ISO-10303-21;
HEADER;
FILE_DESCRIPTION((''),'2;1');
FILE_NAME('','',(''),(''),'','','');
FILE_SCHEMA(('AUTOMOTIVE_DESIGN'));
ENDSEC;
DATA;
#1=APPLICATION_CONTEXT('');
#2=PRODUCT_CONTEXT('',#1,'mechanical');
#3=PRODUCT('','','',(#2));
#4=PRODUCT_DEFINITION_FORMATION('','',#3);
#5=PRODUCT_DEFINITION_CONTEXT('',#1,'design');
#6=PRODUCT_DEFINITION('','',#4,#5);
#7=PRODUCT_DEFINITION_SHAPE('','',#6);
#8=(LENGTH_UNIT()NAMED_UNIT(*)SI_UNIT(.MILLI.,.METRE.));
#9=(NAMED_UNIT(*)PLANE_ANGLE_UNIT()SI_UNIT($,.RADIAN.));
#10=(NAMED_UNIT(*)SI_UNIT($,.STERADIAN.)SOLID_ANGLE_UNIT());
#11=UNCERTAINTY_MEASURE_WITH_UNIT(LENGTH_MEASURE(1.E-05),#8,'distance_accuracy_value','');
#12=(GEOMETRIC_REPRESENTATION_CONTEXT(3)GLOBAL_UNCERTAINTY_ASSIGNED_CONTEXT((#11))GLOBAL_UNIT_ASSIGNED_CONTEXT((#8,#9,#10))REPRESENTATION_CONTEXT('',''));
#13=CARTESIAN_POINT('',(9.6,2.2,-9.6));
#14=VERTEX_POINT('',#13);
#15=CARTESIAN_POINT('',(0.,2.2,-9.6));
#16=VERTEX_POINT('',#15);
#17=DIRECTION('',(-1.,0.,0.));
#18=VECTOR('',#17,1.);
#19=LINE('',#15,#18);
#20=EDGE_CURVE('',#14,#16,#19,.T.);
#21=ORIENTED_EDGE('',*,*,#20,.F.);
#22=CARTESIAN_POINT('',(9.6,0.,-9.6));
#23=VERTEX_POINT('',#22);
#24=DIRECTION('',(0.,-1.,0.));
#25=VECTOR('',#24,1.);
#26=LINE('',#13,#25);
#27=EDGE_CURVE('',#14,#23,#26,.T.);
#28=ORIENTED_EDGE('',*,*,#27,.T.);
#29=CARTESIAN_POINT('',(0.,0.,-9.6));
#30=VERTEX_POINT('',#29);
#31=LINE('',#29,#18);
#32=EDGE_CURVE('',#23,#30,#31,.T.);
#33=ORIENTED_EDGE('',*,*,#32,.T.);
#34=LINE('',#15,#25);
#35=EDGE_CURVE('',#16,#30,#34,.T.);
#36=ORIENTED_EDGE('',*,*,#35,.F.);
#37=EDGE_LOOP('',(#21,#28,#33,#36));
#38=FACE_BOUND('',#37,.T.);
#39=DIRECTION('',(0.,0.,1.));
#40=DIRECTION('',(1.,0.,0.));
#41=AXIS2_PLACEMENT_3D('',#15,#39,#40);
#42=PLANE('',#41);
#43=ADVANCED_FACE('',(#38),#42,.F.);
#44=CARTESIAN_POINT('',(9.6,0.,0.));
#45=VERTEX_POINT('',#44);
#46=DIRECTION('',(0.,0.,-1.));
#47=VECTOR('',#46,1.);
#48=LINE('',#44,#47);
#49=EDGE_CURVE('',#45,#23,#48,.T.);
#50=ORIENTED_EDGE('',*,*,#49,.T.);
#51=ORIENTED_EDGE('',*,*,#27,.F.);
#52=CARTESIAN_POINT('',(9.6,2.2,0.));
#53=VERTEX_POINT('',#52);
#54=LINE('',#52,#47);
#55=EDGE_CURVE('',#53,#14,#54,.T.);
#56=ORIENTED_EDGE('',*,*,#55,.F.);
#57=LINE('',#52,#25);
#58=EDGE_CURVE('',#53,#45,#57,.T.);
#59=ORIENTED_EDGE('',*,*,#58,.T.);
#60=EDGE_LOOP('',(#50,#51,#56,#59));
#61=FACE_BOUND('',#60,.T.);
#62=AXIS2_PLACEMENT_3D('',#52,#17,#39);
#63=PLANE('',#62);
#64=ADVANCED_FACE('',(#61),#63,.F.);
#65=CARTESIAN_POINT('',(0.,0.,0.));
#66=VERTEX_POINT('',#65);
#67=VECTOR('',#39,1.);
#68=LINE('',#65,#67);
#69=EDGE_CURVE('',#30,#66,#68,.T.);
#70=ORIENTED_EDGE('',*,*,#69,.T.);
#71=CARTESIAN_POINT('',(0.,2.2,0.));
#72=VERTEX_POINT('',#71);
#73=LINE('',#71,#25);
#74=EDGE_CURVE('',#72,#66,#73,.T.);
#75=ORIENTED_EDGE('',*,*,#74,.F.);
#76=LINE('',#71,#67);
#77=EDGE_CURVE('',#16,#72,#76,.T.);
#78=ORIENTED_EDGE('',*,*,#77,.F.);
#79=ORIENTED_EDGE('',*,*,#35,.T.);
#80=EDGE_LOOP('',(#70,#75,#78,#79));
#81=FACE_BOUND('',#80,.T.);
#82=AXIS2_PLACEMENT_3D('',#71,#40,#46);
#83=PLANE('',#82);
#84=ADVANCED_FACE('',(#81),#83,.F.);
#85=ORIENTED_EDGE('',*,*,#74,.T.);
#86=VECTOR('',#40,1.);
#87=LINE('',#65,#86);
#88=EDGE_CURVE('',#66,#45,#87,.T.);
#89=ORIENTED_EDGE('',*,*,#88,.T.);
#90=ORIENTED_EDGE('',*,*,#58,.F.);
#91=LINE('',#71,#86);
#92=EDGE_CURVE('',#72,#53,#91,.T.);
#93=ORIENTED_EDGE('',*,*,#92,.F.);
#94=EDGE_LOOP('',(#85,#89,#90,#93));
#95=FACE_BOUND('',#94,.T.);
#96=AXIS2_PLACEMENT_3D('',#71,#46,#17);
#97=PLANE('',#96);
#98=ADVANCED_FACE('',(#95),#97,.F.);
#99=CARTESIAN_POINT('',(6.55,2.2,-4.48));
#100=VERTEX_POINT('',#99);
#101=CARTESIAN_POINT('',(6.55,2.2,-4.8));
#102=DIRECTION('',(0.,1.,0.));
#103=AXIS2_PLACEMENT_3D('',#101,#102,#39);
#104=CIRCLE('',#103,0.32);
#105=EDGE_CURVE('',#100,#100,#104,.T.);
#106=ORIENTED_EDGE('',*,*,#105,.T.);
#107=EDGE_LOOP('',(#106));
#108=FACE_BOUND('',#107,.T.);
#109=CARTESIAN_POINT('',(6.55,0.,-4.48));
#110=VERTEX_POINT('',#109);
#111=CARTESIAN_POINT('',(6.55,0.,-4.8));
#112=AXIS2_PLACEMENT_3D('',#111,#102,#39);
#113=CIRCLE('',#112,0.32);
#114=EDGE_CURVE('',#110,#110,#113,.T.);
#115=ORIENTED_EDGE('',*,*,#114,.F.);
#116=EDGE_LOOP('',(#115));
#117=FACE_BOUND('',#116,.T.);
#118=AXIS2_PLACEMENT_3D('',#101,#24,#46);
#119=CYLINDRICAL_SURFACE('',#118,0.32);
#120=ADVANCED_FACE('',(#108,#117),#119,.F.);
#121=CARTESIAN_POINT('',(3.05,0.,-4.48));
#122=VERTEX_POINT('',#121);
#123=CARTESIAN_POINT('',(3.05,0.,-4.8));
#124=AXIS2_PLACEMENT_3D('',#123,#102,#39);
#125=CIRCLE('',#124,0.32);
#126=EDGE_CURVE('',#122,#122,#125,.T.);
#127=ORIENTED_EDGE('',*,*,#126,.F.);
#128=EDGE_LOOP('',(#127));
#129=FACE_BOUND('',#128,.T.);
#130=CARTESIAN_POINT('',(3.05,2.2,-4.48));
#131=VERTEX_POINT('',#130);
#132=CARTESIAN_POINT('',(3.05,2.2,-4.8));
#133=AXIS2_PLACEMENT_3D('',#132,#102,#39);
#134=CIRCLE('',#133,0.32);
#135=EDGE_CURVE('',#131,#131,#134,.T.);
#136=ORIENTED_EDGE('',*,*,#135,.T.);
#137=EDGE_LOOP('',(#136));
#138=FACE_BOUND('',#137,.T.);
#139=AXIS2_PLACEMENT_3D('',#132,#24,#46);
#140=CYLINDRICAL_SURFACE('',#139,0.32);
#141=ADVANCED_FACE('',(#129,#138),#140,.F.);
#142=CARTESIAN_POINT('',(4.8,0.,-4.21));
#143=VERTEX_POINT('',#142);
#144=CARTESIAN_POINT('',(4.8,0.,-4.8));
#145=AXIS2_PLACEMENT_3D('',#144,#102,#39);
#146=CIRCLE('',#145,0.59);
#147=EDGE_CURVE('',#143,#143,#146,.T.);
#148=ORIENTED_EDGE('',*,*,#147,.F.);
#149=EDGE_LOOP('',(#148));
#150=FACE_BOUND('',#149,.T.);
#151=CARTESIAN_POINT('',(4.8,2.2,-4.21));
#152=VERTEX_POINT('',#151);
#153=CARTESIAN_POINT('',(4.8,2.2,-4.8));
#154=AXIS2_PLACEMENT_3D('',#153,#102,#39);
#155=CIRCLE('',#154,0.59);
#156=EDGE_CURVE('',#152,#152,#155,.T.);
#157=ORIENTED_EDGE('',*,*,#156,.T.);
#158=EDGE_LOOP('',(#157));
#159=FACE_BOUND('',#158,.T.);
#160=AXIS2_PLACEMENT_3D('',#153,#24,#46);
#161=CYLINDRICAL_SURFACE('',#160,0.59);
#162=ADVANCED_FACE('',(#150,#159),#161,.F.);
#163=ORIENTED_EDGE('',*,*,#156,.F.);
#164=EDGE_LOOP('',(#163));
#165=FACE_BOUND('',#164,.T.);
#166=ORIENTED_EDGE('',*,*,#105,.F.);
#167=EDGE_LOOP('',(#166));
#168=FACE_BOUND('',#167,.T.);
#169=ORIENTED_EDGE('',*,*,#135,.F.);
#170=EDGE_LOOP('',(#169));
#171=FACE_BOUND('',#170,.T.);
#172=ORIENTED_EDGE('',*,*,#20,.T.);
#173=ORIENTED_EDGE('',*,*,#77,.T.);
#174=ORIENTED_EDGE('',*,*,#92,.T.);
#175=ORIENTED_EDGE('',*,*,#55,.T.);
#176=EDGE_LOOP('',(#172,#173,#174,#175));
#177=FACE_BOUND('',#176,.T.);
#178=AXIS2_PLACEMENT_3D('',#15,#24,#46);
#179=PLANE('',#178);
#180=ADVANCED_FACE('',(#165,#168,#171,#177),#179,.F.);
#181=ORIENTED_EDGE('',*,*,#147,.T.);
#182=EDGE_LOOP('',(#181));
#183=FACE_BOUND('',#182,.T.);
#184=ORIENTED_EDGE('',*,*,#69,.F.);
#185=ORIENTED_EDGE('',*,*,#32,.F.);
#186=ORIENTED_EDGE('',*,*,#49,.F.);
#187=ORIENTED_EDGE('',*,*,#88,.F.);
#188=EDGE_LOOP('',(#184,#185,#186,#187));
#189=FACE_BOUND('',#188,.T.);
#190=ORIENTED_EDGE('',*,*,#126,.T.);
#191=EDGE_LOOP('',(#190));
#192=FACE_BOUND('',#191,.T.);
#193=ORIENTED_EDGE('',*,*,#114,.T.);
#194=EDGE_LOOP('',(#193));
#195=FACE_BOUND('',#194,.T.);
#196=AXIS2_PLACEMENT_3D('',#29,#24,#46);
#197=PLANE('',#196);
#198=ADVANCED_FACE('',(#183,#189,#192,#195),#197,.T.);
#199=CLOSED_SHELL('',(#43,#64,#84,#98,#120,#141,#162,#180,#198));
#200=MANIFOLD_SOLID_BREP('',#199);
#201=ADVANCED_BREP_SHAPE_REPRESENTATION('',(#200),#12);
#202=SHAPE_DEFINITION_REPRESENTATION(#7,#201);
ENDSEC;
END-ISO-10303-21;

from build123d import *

# Parameters (mm, degrees)
SKETCH1_W           = 9.6
SKETCH1_H           = 9.6
SKETCH1_R           = 0.59
SKETCH1_R_2         = 0.32
BOSS_EXTRUDE1_DEPTH = 2.2


with BuildPart() as part:
    # Sketch1 → Boss-Extrude1 (new body)
    with BuildSketch(Plane(origin=(0, 0, 0), x_dir=(1, 0, 0), z_dir=(0, 1, 0))):
        with Locations((4.8, 4.8)):
            Rectangle(SKETCH1_W, SKETCH1_H)
        with Locations(Location((4.8, 4.8, 0), (0, 0, 270))):
            Circle(SKETCH1_R, mode=Mode.SUBTRACT)
        with Locations(Location((3.05, 4.8, 0), (0, 0, 270))):
            Circle(SKETCH1_R_2, mode=Mode.SUBTRACT)
        with Locations(Location((6.55, 4.8, 0), (0, 0, 270))):
            Circle(SKETCH1_R_2, mode=Mode.SUBTRACT)
    extrude(amount=BOSS_EXTRUDE1_DEPTH)


solid = part.part
